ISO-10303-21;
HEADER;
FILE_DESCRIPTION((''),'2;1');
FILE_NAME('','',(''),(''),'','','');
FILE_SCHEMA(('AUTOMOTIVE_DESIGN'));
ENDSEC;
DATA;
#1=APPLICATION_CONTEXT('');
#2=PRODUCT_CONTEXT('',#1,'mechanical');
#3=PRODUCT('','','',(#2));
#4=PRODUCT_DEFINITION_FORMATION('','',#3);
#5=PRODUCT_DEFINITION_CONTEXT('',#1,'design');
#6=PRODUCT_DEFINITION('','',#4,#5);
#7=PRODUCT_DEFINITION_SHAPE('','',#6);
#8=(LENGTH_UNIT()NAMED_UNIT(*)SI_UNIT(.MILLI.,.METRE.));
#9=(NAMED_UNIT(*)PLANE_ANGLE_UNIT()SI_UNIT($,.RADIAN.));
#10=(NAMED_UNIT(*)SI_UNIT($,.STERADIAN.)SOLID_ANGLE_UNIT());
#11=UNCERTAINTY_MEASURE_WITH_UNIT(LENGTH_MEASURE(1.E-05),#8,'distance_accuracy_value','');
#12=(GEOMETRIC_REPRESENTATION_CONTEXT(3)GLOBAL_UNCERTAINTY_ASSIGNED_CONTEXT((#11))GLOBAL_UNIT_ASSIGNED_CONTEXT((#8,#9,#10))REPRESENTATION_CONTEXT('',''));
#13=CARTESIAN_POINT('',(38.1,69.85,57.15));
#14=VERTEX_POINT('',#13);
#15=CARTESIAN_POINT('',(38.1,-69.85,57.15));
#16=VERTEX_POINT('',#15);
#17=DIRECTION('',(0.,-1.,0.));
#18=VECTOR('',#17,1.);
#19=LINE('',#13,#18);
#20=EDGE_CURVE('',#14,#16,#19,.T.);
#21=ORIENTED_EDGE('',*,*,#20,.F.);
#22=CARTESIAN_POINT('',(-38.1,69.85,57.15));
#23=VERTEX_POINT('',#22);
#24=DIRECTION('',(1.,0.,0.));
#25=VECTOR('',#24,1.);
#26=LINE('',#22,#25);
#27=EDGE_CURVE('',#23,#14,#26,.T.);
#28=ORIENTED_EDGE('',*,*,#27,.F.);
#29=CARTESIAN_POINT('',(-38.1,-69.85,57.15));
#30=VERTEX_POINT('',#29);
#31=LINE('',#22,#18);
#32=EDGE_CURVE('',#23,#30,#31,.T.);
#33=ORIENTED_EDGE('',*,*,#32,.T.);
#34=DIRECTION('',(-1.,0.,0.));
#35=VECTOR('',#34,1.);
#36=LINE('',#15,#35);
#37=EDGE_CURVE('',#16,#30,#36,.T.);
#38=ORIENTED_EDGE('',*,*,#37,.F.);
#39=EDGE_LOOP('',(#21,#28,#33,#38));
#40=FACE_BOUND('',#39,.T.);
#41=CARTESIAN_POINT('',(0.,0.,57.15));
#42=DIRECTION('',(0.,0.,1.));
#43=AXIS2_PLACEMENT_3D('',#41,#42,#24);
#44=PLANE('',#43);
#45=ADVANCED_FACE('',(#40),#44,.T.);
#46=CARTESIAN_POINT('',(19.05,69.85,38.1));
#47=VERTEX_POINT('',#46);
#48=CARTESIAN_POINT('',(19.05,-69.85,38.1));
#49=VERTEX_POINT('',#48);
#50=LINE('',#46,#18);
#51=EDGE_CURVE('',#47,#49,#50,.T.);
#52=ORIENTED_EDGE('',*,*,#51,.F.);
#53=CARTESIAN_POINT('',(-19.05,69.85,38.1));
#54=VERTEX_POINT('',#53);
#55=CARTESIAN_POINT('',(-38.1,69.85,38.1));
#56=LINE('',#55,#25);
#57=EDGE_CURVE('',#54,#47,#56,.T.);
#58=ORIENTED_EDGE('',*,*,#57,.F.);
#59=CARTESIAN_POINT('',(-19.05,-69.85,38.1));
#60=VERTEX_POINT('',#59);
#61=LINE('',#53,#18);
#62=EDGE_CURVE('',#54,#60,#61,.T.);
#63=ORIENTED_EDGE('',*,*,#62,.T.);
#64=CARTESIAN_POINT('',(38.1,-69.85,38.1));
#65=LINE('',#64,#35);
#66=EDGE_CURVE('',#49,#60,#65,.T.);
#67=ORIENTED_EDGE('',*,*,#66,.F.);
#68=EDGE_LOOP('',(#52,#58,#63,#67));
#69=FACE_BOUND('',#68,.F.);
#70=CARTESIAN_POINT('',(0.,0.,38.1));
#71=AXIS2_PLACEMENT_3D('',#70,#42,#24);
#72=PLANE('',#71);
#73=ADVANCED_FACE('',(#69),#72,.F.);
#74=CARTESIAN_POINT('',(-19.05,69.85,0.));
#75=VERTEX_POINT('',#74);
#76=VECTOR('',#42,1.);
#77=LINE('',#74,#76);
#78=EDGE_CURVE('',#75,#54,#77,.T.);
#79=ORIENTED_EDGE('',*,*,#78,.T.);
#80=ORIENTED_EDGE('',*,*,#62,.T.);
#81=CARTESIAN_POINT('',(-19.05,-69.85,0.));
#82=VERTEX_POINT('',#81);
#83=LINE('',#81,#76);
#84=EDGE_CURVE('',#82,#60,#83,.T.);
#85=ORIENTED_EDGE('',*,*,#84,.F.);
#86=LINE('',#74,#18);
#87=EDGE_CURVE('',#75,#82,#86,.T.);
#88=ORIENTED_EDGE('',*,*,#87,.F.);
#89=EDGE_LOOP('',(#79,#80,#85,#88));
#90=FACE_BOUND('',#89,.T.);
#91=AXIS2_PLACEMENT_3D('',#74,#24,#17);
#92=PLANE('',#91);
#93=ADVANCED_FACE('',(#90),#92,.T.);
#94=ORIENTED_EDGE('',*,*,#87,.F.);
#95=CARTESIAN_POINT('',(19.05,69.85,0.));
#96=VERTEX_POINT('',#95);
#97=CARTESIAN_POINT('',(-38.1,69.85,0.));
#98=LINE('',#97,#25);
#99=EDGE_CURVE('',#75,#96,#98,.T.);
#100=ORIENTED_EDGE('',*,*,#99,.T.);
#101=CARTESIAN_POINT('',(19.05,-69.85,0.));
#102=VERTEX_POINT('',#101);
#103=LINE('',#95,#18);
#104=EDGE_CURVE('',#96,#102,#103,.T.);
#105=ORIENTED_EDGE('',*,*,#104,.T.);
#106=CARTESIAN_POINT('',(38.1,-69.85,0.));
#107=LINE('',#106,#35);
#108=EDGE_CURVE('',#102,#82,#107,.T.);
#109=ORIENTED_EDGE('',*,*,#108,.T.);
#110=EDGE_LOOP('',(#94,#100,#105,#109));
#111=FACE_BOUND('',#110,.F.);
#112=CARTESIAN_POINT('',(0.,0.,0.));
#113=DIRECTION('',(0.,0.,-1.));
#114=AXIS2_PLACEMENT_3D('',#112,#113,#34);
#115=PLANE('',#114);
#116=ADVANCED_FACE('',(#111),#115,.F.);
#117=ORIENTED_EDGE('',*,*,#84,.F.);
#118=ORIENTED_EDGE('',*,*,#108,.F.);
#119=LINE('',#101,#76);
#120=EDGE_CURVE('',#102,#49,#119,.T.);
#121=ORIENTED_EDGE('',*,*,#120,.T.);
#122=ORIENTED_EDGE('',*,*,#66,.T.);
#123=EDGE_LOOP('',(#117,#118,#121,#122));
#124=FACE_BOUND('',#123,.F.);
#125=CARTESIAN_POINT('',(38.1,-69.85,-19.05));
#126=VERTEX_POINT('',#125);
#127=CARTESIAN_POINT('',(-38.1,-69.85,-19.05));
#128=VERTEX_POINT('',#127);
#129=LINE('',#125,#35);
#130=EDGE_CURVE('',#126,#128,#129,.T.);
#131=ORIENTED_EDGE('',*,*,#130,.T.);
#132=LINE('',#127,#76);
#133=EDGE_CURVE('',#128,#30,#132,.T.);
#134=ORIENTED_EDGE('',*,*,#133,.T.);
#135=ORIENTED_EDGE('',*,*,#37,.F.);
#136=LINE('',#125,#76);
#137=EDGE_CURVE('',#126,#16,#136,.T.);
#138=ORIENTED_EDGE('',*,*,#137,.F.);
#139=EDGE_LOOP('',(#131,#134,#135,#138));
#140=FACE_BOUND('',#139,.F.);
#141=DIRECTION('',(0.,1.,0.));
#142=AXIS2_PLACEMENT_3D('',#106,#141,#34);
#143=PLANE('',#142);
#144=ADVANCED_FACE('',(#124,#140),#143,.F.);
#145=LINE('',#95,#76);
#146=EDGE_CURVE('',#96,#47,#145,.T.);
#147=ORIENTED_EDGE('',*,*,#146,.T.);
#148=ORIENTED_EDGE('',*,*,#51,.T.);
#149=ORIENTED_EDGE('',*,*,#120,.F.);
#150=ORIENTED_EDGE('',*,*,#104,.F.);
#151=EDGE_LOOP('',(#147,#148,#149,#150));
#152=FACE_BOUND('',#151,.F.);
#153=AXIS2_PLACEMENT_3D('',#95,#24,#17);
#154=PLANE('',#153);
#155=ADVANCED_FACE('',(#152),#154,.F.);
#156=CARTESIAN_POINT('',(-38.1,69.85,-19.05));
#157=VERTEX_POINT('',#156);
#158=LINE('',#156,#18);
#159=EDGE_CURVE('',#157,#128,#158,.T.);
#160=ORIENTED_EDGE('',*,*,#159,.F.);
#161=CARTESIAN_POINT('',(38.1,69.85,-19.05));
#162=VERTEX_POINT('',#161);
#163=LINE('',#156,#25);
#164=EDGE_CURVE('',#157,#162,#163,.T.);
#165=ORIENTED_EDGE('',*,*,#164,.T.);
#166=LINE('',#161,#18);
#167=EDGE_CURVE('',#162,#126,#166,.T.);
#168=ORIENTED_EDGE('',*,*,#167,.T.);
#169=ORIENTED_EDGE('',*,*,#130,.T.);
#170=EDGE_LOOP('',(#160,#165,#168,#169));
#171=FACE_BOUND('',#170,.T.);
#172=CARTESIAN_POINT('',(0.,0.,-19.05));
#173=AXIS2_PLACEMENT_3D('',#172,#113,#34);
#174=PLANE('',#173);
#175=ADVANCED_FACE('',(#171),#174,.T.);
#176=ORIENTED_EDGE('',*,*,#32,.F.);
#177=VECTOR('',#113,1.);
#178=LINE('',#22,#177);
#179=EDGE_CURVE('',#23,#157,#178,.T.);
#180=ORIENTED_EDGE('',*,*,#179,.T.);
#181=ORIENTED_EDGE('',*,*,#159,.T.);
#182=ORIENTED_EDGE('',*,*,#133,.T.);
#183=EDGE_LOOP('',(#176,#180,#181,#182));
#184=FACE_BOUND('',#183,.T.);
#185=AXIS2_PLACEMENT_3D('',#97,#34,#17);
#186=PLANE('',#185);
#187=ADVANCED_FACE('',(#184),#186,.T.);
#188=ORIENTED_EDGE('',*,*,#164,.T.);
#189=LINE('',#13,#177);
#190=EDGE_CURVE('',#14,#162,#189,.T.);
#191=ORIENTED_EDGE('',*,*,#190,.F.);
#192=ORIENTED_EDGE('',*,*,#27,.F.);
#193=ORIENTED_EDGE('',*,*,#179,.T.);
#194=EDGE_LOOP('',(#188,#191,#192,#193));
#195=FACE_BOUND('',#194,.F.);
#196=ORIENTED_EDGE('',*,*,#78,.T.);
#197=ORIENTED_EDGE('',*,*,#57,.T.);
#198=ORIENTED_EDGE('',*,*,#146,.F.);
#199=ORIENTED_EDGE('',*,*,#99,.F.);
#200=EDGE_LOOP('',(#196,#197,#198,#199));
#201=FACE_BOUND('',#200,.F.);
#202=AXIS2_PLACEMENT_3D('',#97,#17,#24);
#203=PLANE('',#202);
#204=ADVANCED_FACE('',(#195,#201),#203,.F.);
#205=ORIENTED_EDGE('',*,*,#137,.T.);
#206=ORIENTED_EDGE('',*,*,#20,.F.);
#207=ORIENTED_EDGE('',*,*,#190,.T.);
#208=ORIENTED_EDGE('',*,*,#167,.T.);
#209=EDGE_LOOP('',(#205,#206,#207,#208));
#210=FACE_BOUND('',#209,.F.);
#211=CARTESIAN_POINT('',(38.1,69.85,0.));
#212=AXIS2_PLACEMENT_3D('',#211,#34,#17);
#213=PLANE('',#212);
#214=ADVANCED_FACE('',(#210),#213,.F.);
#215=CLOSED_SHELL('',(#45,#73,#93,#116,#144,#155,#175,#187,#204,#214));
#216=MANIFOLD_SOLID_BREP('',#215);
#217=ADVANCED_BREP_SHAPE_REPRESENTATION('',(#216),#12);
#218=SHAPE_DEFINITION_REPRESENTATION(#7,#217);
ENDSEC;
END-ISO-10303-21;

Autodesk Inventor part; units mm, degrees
ref_plane "YZ Plane" through (0, 0, 0) normal (1, 0, 0) x (0, 1, 0)
ref_plane "XZ Plane" through (0, 0, 0) normal (0, 1, 0) x (-1, 0, 0)
ref_plane "XY Plane" through (0, 0, 0) normal (0, 0, 1) x (1, 0, 0)
sketch "Sketch1" plane through (0, 0, 0) normal (0, 0, 1) x (1, 0, 0)
  line L0 (-38.1, -69.85) -> (38.1, -69.85)
  line L1 (38.1, -69.85) -> (38.1, 69.85)
  line L2 (38.1, 69.85) -> (-38.1, 69.85)
  line L3 (-38.1, 69.85) -> (-38.1, -69.85)
  line L4 (19.05, 69.85) -> (19.05, -69.85)
  line L5 (-19.05, 69.85) -> (-19.05, -69.85)
  line L6 (-19.05, 69.85) -> (19.05, 69.85)
  point P0 (0, 0)
  point P1 (38.1, 6.35)
  point P2 (-38.1, -57.15)
  point P3 (38.1, 57.15)
  point P4 (-38.1, -6.35)
  point P5 (0, 69.85)
  dimension "d0" = 139.7
  dimension "d1" = 76.2
  dimension "d13" = 38.1
extrude "Extrusion1" add sketch "Sketch1" along normal blind 38.1 contours L3 L2 L5 L0 | L4 L2 L1 L0
sketch "Sketch2" plane through (0, 0, 38.1) normal (0, 0, 1) x (1, 0, 0)
  line L0 (-38.1, 69.85) -> (-38.1, -69.85) projected
  line L1 (38.1, -69.85) -> (-38.1, -69.85)
  line L2 (-38.1, -69.85) -> (-38.1, 69.85)
  line L3 (-38.1, 69.85) -> (38.1, 69.85)
  line L4 (38.1, 69.85) -> (38.1, -69.85)
  line L5 (38.1, -69.85) -> (-38.1, 69.85) construction
  line L6 (-38.1, -69.85) -> (38.1, 69.85) construction
  point P0 (0, 0)
  point P1 (-38.1, 0)
extrude "Extrusion2" add sketch "Sketch2" along normal blind 19.05
sketch "Sketch3" plane through (0, 0, 0) normal (0, 0, -1) x (-1, 0, 0)
  line L0 (38.1, 69.85) -> (38.1, -69.85) projected
  line L1 (-38.1, -69.85) -> (38.1, -69.85)
  line L2 (38.1, -69.85) -> (38.1, 69.85)
  line L3 (38.1, 69.85) -> (-38.1, 69.85)
  line L4 (-38.1, 69.85) -> (-38.1, -69.85)
  line L5 (-38.1, -69.85) -> (38.1, 69.85) construction
  line L6 (38.1, -69.85) -> (-38.1, 69.85) construction
  point P0 (0, 0)
  point P1 (38.1, 0)
extrude "Extrusion3" add sketch "Sketch3" along normal blind 19.05
properties part number "hollow monitor support (for assembly)"
